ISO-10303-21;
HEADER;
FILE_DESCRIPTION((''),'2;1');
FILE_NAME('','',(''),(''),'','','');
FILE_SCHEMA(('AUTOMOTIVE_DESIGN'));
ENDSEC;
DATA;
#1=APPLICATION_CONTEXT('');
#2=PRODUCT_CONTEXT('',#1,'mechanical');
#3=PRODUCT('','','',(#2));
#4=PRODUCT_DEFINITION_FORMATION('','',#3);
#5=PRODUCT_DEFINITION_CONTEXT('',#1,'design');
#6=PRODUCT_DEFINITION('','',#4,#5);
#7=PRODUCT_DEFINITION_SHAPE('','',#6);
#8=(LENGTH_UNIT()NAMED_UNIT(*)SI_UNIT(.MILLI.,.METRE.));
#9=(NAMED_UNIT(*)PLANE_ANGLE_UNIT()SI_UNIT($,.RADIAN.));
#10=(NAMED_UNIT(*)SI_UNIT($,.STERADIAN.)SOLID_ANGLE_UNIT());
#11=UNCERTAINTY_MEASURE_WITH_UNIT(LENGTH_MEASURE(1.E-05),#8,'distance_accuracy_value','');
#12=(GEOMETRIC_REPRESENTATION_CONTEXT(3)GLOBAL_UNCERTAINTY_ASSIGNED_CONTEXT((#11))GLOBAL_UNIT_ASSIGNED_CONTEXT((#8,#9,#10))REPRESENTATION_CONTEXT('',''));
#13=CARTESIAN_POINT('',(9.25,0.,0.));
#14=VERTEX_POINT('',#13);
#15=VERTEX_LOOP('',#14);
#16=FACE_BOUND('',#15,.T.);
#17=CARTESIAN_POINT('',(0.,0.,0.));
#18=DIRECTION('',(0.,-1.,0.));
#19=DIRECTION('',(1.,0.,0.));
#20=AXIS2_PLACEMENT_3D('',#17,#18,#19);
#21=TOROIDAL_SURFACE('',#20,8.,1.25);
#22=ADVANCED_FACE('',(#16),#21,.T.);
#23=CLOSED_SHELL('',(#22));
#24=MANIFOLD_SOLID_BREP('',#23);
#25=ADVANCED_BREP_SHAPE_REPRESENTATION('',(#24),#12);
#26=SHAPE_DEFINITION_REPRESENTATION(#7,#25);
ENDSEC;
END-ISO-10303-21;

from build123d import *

# Parameters (mm, degrees)
SKETCH1_R = 1.25


with BuildPart() as part:
    # Sketch1 → Revolve1 (revolve)
    with BuildSketch(Plane.XY):
        with Locations((-8, 0)):
            Circle(SKETCH1_R)
    revolve(axis=Axis((0, -2.443181818, 0), (0, 1, 0)))


solid = part.part
